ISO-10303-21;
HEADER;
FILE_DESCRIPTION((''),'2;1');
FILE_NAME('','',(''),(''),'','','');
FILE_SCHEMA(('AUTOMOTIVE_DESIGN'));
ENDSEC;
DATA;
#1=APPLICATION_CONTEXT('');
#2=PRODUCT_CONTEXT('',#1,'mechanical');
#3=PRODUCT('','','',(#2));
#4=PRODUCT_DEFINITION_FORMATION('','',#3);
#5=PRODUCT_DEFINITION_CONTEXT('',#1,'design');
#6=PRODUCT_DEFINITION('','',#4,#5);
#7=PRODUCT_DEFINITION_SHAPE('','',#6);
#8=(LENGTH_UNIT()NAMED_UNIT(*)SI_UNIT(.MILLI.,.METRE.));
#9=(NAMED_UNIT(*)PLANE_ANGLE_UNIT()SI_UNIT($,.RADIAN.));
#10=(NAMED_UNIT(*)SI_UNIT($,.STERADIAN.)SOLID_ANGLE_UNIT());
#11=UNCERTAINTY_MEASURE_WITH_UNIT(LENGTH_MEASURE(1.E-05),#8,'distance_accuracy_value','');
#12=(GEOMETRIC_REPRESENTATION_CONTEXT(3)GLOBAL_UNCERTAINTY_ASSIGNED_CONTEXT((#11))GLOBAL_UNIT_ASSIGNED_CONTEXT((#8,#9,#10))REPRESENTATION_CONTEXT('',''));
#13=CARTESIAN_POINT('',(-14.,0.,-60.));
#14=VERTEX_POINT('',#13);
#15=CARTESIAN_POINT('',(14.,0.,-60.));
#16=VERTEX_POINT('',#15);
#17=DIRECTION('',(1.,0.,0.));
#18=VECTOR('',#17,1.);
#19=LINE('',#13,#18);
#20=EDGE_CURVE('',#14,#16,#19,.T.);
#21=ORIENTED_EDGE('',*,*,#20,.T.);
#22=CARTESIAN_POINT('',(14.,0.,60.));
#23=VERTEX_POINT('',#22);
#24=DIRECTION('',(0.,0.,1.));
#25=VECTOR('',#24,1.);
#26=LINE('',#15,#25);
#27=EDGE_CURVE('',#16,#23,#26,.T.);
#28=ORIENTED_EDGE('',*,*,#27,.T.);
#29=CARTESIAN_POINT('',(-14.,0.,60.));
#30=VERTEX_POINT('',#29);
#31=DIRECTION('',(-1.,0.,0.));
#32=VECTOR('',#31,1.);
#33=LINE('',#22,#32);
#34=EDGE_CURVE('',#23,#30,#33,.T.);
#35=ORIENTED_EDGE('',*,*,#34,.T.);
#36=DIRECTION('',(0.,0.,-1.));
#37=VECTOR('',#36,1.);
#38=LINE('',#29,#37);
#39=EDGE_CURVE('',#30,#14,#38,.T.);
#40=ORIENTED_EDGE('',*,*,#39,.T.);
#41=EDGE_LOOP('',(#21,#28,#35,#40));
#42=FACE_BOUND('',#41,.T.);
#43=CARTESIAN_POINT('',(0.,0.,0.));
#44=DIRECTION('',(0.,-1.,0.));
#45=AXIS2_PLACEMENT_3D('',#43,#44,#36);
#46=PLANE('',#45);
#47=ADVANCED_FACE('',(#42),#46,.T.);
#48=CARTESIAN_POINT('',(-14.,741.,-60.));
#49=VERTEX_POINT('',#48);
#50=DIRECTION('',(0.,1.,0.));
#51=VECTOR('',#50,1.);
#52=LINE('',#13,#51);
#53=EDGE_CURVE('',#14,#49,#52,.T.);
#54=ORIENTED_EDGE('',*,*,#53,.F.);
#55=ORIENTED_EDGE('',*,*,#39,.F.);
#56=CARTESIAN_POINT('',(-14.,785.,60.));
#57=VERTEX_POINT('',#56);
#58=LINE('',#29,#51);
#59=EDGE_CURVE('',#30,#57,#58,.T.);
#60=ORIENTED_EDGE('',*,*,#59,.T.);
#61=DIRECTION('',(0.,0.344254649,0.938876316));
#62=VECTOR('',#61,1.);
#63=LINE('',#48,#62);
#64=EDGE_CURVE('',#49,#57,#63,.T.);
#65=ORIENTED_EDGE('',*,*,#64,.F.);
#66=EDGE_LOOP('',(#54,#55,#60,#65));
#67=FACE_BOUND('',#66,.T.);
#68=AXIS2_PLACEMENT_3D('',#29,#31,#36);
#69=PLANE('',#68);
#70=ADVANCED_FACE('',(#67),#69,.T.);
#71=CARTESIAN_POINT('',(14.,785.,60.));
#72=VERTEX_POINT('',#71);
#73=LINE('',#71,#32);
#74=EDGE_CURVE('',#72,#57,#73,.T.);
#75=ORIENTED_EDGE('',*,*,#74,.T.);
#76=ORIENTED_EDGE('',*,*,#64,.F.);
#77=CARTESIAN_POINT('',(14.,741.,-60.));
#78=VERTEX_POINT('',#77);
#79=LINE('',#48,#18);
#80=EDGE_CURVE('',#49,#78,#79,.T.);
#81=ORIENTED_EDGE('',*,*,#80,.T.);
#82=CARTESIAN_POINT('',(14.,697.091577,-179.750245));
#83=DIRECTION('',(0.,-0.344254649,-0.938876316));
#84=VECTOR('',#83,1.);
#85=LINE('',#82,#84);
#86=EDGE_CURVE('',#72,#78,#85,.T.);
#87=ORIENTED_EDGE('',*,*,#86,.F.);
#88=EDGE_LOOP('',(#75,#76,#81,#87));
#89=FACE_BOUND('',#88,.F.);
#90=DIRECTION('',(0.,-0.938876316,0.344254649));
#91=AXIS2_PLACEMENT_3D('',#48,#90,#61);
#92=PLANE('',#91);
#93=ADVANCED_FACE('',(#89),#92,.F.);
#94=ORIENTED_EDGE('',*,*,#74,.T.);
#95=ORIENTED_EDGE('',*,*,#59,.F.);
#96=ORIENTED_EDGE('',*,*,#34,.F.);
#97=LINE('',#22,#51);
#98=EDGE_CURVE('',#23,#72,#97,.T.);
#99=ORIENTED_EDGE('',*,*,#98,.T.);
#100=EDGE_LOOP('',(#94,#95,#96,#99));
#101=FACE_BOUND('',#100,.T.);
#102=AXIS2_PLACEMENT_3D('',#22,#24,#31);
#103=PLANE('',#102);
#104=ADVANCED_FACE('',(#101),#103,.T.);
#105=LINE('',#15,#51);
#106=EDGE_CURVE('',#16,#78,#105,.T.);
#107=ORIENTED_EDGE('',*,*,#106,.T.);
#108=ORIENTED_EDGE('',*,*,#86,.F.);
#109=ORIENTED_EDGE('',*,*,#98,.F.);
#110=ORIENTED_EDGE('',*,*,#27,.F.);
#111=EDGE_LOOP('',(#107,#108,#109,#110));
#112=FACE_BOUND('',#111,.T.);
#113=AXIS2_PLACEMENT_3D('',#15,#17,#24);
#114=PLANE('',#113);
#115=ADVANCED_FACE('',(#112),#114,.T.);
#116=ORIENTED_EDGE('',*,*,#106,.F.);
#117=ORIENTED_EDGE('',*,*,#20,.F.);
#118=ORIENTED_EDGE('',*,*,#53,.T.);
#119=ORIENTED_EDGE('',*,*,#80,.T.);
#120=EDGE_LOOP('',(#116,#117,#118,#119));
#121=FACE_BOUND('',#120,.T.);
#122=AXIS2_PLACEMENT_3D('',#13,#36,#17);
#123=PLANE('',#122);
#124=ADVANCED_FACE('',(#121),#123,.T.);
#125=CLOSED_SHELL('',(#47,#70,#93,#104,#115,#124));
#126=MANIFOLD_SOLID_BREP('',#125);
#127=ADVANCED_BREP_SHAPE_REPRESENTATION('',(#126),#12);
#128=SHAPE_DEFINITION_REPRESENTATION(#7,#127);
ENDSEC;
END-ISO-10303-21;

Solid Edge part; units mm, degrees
sketch "Sketch1" plane through (0, 0, 0) normal (0, -1, 0) x (1, 0, 0)
  line L0 (-14, -60) -> (14, -60)
  line L1 (14, -60) -> (14, 60)
  line L2 (14, 60) -> (-14, 60)
  line L3 (-14, 60) -> (-14, -60)
extrude "Protrusion1" add sketch "Sketch1" against normal blind 785
sketch "Sketch2" plane through (-14, 392.5, 0) normal (-1, 0, 0) x (0, -1, 0)
  line L0 (-392.5, -60) -> (-392.5, 60)
  line L1 (-348.5, -60) -> (-392.5, 60)
  line L2 (-392.5, -60) -> (-348.5, -60)
extrude "ExtrudedCutout_1" cut sketch "Sketch2" against normal blind 125.5662
properties material "Wood, Pine"
